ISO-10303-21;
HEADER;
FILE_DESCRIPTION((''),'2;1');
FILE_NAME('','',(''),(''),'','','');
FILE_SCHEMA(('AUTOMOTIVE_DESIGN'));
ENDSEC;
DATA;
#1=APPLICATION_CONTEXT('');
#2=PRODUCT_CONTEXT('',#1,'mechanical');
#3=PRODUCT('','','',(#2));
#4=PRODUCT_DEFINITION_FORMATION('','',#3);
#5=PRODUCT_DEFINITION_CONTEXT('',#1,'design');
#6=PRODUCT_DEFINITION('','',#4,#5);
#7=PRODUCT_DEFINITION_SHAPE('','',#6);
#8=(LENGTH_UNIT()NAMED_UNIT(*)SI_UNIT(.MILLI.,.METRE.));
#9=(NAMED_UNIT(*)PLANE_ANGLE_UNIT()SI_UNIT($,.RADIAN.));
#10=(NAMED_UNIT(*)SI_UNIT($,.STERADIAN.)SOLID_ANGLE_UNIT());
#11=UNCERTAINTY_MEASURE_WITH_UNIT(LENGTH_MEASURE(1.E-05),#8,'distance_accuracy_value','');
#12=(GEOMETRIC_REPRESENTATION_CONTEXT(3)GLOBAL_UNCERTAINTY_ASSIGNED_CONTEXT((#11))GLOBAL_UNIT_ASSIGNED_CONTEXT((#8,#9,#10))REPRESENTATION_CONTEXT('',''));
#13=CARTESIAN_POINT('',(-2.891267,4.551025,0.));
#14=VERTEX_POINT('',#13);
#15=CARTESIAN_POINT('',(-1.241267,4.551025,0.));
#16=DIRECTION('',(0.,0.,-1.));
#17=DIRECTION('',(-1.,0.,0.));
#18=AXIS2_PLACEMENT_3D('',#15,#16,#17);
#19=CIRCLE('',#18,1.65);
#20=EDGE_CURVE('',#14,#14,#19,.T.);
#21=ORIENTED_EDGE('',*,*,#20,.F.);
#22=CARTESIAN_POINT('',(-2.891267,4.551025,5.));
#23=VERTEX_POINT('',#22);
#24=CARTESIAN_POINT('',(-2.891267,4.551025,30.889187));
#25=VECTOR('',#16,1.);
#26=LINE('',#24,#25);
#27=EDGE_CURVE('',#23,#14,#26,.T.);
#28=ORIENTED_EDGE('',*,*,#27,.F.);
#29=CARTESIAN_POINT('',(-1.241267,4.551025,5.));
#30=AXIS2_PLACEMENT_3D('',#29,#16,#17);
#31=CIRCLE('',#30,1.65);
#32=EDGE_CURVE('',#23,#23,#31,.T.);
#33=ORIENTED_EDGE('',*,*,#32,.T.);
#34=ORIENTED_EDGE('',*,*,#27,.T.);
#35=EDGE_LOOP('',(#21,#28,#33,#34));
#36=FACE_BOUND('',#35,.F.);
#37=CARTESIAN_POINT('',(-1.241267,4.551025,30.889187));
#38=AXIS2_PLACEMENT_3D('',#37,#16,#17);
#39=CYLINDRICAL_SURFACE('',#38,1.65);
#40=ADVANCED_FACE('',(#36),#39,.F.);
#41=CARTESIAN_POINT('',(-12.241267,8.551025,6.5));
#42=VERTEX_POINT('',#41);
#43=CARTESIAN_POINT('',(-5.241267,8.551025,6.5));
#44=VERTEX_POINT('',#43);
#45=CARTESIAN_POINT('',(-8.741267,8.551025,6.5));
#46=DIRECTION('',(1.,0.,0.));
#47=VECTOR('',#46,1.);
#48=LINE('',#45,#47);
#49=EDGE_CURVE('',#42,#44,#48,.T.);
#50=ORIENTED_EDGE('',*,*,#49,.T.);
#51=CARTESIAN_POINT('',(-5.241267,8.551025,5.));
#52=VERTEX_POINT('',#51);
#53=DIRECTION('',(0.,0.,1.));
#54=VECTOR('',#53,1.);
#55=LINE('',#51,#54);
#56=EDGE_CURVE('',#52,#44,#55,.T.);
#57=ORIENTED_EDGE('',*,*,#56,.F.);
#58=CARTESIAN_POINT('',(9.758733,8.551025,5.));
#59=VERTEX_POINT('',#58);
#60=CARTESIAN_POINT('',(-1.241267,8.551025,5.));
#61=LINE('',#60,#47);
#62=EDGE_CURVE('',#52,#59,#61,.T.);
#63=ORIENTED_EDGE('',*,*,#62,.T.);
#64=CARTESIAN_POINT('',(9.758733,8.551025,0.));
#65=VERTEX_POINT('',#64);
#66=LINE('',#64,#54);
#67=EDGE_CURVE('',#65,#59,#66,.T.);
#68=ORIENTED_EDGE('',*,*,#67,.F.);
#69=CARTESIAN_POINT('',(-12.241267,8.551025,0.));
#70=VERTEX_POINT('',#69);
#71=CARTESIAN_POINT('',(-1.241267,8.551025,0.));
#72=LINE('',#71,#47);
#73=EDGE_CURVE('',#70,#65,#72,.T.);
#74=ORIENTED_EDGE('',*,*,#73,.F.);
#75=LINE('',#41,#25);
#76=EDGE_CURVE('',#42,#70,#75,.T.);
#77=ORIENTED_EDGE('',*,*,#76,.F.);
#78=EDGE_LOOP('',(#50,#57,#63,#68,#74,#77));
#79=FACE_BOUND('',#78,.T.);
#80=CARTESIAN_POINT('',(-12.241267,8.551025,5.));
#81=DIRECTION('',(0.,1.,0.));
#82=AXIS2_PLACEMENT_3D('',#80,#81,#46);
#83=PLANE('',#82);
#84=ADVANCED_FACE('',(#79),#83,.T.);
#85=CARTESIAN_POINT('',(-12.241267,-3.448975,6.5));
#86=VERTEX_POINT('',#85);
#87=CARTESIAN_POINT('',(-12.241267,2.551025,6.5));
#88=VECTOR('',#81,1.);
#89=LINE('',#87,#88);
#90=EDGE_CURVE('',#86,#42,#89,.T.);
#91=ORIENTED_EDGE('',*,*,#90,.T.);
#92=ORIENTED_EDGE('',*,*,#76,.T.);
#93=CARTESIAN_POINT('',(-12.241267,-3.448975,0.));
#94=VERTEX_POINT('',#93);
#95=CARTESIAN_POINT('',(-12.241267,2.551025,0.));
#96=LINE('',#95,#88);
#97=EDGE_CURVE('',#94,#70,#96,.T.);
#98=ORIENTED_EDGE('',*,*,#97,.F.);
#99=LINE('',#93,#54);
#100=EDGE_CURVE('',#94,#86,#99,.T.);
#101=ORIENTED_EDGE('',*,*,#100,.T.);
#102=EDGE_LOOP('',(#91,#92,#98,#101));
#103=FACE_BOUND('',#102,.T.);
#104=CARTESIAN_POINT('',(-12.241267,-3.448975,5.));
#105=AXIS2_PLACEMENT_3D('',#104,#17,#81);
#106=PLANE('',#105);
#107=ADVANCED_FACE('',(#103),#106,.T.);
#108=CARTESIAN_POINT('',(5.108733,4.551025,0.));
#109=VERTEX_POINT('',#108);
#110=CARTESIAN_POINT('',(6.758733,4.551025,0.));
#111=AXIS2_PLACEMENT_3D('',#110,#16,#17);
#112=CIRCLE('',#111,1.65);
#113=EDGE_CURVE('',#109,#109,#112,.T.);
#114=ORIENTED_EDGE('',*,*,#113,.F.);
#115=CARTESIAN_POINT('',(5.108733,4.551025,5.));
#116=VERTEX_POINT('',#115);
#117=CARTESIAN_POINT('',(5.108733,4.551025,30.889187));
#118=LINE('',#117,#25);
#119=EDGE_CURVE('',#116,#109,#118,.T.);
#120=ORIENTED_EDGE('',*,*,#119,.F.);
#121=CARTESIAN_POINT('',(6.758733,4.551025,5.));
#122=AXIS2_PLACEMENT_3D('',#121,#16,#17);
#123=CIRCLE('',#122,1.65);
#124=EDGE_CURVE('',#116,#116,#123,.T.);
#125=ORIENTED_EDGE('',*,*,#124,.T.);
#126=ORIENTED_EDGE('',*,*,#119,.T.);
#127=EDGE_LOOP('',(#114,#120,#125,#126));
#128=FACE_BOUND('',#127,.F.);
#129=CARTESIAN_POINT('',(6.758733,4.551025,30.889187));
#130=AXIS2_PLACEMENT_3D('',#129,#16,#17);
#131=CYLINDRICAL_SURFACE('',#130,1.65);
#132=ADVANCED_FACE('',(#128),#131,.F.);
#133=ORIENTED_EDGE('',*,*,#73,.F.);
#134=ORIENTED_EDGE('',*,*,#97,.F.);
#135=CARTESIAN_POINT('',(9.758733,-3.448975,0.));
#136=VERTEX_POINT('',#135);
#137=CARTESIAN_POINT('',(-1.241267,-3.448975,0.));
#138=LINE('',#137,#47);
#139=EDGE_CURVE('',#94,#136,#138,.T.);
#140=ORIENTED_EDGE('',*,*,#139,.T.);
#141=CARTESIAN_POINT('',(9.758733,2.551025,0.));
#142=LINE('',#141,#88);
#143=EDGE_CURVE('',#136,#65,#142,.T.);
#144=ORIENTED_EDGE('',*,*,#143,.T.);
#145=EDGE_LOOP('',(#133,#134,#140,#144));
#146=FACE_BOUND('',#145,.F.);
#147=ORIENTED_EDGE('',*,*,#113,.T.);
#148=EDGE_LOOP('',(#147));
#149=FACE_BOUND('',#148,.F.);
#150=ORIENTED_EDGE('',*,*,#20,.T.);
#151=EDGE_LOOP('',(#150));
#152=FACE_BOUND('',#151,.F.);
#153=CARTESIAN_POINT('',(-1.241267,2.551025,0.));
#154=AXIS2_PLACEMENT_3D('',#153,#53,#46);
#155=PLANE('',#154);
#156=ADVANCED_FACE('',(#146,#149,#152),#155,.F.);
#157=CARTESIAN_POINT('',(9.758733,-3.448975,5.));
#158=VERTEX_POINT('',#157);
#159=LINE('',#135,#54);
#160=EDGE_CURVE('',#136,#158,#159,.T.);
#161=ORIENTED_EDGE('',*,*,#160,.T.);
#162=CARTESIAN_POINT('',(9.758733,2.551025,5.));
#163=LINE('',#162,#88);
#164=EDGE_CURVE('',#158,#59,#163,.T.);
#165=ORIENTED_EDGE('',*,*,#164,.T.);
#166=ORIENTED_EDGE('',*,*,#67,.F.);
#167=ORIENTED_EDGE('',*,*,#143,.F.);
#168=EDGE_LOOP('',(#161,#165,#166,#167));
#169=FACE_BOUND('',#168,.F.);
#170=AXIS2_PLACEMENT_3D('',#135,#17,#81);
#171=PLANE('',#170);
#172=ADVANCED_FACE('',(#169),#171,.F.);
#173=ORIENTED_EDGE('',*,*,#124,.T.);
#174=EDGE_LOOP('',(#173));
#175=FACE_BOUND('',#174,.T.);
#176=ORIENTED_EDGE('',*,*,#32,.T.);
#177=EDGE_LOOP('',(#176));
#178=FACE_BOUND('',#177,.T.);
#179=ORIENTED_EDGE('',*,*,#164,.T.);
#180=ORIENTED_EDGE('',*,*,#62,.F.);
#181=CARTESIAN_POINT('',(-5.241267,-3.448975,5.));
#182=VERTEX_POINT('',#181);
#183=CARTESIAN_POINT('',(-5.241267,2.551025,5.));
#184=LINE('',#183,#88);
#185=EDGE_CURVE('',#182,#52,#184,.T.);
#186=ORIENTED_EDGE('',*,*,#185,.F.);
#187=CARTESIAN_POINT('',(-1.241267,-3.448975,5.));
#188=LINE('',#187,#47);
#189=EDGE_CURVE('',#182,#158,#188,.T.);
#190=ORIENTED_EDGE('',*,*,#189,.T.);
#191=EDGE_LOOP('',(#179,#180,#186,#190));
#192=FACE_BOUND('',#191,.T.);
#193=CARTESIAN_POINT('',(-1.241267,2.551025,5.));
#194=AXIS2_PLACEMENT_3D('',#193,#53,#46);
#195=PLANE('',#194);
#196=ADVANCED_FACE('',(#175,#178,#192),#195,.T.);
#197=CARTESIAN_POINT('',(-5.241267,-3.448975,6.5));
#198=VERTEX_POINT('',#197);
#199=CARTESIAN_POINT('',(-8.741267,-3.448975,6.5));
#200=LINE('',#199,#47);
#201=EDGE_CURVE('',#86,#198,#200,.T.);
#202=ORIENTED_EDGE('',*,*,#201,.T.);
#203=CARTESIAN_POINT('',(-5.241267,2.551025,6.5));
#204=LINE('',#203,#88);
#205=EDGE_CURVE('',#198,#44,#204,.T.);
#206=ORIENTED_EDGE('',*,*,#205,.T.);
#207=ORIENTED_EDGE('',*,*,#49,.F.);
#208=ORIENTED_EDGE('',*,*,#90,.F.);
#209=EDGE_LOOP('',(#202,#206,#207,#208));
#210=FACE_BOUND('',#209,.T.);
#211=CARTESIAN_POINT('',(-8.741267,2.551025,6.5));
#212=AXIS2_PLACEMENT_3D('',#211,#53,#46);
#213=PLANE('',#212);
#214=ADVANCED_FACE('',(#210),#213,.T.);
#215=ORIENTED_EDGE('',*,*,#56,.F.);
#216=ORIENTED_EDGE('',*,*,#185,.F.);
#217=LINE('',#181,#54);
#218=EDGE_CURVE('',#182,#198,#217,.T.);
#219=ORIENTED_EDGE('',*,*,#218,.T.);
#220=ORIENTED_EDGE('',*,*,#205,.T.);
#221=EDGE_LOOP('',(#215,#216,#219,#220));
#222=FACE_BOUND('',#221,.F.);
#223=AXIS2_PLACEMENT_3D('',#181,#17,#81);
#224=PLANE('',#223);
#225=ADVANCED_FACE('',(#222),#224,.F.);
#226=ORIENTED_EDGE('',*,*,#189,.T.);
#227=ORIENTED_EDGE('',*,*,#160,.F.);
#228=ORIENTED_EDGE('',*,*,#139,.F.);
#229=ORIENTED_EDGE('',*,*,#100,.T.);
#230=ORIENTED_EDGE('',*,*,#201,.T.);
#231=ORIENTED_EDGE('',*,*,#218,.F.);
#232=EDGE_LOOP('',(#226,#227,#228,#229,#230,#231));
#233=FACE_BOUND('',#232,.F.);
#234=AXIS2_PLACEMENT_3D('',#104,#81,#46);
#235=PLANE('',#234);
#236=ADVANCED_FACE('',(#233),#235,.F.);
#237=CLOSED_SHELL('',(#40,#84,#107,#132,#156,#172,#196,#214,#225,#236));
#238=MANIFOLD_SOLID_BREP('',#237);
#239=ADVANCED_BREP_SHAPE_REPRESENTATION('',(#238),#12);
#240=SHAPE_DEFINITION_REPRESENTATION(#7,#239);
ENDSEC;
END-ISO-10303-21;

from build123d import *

# Parameters (mm, degrees)
F0_W     = 22
F0_H     = 12
F1_DEPTH = 5
F2_W     = 7
F2_H     = 12
F3_DEPTH = 1.5
F5_D     = 3.3


with BuildPart() as f1:
    # F0 (on Top) → F1 (new body)
    with BuildSketch(Plane.XY):
        with Locations((-1.241267357, 2.5510253936)):
            Rectangle(F0_W, F0_H)
    extrude(amount=F1_DEPTH)

    # F2 (on face) → F3 (join)
    with BuildSketch(Plane.XY.offset(5)):
        with Locations((-8.741267357, 2.5510253936)):
            Rectangle(F2_W, F2_H)
    extrude(amount=F3_DEPTH)

    # F5 (through all)
    with Locations(Plane.XY.offset(5)):
        with Locations((-1.241267357, 4.5510253936), (6.758732643, 4.5510253936)):
            Hole(F5_D / 2)


solid = f1.part
